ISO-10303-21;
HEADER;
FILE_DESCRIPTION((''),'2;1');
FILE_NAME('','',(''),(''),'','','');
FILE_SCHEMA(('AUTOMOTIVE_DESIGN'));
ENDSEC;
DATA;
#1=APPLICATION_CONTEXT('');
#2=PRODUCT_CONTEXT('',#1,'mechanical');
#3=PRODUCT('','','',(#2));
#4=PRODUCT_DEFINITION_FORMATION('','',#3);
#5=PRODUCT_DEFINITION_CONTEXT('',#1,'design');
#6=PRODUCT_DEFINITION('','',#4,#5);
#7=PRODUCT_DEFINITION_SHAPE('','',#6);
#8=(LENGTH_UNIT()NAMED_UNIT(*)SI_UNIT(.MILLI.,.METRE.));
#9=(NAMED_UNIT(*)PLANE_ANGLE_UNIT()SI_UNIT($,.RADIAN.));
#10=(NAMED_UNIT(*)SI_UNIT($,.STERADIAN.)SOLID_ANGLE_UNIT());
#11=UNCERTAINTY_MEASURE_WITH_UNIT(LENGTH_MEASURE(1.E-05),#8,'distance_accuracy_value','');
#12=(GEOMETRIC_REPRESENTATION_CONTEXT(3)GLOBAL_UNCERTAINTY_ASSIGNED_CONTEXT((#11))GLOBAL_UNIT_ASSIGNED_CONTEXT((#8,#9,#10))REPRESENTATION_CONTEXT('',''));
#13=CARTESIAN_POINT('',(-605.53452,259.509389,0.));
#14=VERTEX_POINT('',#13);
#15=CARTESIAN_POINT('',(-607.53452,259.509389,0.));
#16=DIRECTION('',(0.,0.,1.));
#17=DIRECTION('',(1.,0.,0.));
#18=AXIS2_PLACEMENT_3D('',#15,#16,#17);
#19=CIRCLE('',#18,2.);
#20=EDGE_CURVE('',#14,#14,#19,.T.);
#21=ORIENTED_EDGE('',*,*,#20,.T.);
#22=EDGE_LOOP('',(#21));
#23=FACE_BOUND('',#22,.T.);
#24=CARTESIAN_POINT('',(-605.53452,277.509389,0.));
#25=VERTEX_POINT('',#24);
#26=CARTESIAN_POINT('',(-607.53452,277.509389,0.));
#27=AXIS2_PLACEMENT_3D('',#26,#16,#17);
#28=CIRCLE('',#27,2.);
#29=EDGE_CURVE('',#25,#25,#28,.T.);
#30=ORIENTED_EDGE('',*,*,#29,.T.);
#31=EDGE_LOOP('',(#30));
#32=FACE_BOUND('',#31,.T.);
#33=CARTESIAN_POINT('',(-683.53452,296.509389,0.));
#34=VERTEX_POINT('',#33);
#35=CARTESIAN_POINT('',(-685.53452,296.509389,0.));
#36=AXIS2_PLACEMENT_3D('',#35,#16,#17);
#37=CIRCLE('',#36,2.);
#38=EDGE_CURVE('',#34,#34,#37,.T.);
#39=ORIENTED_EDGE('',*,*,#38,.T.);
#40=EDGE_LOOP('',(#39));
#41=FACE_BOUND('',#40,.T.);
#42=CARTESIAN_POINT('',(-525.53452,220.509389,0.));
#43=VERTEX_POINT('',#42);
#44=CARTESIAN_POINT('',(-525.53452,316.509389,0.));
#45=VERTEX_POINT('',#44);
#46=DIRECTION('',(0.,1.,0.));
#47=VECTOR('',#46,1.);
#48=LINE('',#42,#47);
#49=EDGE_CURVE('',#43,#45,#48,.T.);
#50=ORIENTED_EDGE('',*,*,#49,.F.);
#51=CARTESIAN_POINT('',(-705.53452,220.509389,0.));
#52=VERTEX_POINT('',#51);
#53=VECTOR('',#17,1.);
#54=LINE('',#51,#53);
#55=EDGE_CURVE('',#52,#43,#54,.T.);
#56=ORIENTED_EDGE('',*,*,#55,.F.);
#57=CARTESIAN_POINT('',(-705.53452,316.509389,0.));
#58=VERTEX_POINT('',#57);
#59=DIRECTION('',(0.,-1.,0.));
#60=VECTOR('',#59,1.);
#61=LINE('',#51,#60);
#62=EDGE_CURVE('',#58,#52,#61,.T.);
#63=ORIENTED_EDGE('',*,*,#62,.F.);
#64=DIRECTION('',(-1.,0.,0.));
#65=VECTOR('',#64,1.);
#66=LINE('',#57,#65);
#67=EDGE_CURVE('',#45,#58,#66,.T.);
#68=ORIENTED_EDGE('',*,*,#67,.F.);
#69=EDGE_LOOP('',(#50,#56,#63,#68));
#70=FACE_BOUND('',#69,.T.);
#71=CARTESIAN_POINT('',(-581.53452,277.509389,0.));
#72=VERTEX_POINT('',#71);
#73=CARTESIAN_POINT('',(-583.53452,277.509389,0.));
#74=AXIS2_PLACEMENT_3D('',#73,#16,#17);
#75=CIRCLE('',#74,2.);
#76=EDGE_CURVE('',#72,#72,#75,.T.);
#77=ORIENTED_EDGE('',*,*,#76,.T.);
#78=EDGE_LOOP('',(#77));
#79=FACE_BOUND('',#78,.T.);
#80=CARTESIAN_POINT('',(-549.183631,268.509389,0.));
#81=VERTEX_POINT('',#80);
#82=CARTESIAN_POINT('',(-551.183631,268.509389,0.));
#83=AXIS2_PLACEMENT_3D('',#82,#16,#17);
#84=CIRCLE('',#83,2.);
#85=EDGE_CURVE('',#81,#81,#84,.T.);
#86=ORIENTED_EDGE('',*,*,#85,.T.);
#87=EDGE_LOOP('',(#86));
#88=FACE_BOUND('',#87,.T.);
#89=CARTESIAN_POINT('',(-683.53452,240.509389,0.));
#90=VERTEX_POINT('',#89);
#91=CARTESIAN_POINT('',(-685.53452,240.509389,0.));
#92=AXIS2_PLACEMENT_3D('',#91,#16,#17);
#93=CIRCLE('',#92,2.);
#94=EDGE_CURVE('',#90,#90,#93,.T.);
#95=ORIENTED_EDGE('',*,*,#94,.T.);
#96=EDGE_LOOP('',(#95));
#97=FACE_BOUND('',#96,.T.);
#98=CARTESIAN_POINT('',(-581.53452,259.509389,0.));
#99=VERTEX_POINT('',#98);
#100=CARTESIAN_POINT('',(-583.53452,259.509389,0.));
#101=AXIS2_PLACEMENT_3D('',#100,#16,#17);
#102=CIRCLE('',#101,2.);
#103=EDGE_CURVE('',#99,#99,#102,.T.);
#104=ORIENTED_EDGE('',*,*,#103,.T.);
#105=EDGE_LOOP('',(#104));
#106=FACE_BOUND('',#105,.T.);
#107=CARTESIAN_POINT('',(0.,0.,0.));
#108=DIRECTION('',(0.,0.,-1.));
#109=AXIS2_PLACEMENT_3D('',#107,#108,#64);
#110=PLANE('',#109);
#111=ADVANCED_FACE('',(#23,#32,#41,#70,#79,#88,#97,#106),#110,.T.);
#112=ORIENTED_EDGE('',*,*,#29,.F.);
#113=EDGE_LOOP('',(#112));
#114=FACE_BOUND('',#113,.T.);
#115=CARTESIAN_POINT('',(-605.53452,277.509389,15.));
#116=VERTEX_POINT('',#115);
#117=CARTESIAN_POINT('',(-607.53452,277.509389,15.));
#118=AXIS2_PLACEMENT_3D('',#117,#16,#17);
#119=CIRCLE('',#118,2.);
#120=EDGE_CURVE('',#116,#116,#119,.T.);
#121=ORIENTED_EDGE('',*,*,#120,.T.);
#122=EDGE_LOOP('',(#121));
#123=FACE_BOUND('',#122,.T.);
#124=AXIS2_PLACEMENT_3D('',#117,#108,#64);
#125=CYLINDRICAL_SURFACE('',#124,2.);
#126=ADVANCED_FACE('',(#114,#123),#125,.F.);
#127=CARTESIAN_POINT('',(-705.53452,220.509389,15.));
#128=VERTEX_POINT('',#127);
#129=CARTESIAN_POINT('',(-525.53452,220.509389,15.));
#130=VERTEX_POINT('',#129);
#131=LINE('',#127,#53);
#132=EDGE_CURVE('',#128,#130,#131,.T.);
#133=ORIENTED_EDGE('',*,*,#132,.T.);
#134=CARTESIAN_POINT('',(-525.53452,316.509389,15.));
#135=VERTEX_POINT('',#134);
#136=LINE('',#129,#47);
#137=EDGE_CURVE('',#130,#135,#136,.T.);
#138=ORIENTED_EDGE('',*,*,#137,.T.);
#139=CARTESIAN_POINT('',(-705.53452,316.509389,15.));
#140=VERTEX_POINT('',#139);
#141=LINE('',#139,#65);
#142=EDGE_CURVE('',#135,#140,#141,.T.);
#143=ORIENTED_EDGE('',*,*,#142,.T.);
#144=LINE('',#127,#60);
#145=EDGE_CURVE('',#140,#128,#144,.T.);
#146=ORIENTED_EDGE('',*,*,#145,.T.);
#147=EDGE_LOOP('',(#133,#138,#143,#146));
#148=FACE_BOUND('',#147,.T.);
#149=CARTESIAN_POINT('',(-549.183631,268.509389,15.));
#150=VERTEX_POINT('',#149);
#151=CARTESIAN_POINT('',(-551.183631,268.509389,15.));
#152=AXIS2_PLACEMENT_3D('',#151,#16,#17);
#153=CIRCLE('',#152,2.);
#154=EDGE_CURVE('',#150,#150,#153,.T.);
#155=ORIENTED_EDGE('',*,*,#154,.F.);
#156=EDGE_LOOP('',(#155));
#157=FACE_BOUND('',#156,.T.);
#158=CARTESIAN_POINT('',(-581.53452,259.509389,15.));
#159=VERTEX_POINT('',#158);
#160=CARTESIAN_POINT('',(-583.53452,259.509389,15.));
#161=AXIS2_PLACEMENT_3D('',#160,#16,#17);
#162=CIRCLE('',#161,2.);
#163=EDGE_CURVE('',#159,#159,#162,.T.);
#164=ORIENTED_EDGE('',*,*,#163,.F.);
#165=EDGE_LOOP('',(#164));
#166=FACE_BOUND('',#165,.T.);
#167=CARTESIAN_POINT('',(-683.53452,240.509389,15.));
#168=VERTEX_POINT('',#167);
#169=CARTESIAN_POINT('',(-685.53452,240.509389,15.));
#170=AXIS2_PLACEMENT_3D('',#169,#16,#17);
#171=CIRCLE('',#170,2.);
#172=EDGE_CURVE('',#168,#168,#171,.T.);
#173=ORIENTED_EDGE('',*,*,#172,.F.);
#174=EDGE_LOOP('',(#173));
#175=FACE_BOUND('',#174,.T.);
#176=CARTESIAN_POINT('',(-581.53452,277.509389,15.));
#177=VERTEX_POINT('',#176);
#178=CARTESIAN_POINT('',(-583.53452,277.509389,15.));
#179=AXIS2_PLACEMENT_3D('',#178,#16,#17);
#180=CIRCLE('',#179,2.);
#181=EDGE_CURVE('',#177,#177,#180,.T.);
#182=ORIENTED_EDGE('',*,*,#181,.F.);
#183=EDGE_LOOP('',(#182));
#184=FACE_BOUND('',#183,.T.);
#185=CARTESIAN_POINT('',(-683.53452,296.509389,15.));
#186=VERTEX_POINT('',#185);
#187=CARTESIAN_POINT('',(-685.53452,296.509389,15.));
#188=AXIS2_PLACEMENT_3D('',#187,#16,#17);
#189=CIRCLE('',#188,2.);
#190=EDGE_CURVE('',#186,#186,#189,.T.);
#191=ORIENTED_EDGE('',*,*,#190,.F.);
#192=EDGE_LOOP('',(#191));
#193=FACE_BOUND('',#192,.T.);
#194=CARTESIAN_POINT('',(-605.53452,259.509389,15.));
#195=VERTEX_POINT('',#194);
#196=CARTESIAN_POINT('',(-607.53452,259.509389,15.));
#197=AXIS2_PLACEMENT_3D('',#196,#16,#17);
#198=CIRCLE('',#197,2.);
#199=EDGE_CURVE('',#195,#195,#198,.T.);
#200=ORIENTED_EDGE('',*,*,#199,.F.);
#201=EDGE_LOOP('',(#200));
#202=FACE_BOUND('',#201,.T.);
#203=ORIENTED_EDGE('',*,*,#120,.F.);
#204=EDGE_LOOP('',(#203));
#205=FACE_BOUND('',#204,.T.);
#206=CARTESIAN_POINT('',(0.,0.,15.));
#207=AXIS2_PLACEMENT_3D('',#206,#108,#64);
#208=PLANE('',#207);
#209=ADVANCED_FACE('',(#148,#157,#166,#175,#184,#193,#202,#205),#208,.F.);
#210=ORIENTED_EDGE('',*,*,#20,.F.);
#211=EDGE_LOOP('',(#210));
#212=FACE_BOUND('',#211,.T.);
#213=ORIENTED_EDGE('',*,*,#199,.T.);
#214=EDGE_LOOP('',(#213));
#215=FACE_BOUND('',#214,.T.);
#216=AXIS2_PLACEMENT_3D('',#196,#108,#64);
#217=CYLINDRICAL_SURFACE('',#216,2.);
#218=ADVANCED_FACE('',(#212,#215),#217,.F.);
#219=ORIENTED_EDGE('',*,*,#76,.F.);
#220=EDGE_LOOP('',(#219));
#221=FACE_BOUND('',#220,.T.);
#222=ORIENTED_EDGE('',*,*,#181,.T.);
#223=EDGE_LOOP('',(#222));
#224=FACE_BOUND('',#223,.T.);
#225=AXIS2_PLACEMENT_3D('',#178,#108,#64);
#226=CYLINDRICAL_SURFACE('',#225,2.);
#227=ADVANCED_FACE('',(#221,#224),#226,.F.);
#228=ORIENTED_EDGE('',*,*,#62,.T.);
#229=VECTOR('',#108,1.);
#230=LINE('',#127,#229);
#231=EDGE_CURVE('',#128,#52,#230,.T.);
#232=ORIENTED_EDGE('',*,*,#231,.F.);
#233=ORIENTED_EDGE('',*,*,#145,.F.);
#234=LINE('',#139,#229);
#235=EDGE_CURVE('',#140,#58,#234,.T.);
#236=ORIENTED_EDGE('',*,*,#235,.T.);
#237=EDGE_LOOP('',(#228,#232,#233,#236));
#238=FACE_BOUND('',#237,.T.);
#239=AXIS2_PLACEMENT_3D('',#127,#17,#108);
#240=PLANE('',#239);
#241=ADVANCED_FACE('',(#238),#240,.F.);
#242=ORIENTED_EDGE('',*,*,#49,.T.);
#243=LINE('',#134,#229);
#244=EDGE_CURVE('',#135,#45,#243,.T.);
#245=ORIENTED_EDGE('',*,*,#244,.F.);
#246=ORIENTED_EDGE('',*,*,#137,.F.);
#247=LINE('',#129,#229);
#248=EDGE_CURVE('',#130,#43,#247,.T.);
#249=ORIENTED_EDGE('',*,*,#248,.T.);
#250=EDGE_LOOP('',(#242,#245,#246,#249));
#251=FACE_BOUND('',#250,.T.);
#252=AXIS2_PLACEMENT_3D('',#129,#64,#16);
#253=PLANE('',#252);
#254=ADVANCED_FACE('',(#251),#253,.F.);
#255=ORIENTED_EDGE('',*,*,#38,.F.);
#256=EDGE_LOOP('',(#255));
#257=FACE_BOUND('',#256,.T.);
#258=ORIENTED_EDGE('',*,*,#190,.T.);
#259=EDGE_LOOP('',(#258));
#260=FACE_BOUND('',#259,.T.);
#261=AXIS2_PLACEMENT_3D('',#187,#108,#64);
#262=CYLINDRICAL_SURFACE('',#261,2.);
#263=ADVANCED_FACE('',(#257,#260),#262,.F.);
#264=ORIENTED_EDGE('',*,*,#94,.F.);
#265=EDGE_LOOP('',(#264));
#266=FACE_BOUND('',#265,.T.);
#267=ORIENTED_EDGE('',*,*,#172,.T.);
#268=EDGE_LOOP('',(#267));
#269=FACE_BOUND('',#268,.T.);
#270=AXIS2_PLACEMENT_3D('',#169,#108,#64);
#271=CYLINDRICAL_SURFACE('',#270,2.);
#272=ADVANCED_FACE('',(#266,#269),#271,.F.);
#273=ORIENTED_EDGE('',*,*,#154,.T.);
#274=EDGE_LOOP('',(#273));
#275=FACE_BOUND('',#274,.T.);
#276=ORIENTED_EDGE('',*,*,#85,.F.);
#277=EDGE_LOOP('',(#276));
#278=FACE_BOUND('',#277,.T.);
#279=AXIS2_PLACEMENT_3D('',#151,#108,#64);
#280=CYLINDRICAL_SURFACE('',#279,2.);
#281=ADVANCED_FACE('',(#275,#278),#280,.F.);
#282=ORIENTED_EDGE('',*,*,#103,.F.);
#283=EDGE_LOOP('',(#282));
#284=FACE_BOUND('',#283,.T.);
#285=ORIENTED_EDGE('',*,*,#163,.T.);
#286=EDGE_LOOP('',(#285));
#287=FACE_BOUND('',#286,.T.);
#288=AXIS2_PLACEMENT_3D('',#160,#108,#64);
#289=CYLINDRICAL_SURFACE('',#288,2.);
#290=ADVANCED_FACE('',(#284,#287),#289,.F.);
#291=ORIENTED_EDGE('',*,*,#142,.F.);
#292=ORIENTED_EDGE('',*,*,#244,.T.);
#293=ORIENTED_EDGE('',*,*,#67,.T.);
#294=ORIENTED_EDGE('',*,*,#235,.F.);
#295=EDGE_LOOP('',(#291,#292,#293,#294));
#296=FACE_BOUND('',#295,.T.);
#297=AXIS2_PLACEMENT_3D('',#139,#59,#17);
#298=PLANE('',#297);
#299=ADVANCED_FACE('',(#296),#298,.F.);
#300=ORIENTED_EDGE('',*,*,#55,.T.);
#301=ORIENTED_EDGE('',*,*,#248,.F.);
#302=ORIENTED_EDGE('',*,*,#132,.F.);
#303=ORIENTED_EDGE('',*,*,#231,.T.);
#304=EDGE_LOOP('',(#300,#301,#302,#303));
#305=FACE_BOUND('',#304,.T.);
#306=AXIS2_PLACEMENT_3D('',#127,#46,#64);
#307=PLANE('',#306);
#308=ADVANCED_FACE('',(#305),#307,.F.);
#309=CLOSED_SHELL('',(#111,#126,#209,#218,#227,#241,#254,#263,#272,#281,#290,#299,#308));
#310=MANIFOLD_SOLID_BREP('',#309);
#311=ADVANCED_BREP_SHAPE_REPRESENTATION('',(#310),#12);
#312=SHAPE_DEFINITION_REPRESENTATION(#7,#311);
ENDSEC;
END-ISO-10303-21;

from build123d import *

# Parameters (mm, degrees)
SKETCH1_W           = 180
SKETCH1_H           = 96
SKETCH1_R           = 2
BOSS_EXTRUDE1_DEPTH = 15


with BuildPart() as part:
    # Sketch1 → Boss-Extrude1 (new body)
    with BuildSketch(Plane.XY):
        with Locations((-615.534520475, 268.509389187)):
            Rectangle(SKETCH1_W, SKETCH1_H)
        with Locations((-583.534520475, 277.509389187)):
            Circle(SKETCH1_R, mode=Mode.SUBTRACT)
        with Locations((-607.534520475, 277.509389187)):
            Circle(SKETCH1_R, mode=Mode.SUBTRACT)
        with Locations((-583.534520475, 259.509389187)):
            Circle(SKETCH1_R, mode=Mode.SUBTRACT)
        with Locations((-607.534520475, 259.509389187)):
            Circle(SKETCH1_R, mode=Mode.SUBTRACT)
        with Locations((-685.534520475, 296.509389187)):
            Circle(SKETCH1_R, mode=Mode.SUBTRACT)
        with Locations((-685.534520475, 240.509389187)):
            Circle(SKETCH1_R, mode=Mode.SUBTRACT)
        with Locations((-551.183631115, 268.509389187)):
            Circle(SKETCH1_R, mode=Mode.SUBTRACT)
    extrude(amount=BOSS_EXTRUDE1_DEPTH)


solid = part.part
